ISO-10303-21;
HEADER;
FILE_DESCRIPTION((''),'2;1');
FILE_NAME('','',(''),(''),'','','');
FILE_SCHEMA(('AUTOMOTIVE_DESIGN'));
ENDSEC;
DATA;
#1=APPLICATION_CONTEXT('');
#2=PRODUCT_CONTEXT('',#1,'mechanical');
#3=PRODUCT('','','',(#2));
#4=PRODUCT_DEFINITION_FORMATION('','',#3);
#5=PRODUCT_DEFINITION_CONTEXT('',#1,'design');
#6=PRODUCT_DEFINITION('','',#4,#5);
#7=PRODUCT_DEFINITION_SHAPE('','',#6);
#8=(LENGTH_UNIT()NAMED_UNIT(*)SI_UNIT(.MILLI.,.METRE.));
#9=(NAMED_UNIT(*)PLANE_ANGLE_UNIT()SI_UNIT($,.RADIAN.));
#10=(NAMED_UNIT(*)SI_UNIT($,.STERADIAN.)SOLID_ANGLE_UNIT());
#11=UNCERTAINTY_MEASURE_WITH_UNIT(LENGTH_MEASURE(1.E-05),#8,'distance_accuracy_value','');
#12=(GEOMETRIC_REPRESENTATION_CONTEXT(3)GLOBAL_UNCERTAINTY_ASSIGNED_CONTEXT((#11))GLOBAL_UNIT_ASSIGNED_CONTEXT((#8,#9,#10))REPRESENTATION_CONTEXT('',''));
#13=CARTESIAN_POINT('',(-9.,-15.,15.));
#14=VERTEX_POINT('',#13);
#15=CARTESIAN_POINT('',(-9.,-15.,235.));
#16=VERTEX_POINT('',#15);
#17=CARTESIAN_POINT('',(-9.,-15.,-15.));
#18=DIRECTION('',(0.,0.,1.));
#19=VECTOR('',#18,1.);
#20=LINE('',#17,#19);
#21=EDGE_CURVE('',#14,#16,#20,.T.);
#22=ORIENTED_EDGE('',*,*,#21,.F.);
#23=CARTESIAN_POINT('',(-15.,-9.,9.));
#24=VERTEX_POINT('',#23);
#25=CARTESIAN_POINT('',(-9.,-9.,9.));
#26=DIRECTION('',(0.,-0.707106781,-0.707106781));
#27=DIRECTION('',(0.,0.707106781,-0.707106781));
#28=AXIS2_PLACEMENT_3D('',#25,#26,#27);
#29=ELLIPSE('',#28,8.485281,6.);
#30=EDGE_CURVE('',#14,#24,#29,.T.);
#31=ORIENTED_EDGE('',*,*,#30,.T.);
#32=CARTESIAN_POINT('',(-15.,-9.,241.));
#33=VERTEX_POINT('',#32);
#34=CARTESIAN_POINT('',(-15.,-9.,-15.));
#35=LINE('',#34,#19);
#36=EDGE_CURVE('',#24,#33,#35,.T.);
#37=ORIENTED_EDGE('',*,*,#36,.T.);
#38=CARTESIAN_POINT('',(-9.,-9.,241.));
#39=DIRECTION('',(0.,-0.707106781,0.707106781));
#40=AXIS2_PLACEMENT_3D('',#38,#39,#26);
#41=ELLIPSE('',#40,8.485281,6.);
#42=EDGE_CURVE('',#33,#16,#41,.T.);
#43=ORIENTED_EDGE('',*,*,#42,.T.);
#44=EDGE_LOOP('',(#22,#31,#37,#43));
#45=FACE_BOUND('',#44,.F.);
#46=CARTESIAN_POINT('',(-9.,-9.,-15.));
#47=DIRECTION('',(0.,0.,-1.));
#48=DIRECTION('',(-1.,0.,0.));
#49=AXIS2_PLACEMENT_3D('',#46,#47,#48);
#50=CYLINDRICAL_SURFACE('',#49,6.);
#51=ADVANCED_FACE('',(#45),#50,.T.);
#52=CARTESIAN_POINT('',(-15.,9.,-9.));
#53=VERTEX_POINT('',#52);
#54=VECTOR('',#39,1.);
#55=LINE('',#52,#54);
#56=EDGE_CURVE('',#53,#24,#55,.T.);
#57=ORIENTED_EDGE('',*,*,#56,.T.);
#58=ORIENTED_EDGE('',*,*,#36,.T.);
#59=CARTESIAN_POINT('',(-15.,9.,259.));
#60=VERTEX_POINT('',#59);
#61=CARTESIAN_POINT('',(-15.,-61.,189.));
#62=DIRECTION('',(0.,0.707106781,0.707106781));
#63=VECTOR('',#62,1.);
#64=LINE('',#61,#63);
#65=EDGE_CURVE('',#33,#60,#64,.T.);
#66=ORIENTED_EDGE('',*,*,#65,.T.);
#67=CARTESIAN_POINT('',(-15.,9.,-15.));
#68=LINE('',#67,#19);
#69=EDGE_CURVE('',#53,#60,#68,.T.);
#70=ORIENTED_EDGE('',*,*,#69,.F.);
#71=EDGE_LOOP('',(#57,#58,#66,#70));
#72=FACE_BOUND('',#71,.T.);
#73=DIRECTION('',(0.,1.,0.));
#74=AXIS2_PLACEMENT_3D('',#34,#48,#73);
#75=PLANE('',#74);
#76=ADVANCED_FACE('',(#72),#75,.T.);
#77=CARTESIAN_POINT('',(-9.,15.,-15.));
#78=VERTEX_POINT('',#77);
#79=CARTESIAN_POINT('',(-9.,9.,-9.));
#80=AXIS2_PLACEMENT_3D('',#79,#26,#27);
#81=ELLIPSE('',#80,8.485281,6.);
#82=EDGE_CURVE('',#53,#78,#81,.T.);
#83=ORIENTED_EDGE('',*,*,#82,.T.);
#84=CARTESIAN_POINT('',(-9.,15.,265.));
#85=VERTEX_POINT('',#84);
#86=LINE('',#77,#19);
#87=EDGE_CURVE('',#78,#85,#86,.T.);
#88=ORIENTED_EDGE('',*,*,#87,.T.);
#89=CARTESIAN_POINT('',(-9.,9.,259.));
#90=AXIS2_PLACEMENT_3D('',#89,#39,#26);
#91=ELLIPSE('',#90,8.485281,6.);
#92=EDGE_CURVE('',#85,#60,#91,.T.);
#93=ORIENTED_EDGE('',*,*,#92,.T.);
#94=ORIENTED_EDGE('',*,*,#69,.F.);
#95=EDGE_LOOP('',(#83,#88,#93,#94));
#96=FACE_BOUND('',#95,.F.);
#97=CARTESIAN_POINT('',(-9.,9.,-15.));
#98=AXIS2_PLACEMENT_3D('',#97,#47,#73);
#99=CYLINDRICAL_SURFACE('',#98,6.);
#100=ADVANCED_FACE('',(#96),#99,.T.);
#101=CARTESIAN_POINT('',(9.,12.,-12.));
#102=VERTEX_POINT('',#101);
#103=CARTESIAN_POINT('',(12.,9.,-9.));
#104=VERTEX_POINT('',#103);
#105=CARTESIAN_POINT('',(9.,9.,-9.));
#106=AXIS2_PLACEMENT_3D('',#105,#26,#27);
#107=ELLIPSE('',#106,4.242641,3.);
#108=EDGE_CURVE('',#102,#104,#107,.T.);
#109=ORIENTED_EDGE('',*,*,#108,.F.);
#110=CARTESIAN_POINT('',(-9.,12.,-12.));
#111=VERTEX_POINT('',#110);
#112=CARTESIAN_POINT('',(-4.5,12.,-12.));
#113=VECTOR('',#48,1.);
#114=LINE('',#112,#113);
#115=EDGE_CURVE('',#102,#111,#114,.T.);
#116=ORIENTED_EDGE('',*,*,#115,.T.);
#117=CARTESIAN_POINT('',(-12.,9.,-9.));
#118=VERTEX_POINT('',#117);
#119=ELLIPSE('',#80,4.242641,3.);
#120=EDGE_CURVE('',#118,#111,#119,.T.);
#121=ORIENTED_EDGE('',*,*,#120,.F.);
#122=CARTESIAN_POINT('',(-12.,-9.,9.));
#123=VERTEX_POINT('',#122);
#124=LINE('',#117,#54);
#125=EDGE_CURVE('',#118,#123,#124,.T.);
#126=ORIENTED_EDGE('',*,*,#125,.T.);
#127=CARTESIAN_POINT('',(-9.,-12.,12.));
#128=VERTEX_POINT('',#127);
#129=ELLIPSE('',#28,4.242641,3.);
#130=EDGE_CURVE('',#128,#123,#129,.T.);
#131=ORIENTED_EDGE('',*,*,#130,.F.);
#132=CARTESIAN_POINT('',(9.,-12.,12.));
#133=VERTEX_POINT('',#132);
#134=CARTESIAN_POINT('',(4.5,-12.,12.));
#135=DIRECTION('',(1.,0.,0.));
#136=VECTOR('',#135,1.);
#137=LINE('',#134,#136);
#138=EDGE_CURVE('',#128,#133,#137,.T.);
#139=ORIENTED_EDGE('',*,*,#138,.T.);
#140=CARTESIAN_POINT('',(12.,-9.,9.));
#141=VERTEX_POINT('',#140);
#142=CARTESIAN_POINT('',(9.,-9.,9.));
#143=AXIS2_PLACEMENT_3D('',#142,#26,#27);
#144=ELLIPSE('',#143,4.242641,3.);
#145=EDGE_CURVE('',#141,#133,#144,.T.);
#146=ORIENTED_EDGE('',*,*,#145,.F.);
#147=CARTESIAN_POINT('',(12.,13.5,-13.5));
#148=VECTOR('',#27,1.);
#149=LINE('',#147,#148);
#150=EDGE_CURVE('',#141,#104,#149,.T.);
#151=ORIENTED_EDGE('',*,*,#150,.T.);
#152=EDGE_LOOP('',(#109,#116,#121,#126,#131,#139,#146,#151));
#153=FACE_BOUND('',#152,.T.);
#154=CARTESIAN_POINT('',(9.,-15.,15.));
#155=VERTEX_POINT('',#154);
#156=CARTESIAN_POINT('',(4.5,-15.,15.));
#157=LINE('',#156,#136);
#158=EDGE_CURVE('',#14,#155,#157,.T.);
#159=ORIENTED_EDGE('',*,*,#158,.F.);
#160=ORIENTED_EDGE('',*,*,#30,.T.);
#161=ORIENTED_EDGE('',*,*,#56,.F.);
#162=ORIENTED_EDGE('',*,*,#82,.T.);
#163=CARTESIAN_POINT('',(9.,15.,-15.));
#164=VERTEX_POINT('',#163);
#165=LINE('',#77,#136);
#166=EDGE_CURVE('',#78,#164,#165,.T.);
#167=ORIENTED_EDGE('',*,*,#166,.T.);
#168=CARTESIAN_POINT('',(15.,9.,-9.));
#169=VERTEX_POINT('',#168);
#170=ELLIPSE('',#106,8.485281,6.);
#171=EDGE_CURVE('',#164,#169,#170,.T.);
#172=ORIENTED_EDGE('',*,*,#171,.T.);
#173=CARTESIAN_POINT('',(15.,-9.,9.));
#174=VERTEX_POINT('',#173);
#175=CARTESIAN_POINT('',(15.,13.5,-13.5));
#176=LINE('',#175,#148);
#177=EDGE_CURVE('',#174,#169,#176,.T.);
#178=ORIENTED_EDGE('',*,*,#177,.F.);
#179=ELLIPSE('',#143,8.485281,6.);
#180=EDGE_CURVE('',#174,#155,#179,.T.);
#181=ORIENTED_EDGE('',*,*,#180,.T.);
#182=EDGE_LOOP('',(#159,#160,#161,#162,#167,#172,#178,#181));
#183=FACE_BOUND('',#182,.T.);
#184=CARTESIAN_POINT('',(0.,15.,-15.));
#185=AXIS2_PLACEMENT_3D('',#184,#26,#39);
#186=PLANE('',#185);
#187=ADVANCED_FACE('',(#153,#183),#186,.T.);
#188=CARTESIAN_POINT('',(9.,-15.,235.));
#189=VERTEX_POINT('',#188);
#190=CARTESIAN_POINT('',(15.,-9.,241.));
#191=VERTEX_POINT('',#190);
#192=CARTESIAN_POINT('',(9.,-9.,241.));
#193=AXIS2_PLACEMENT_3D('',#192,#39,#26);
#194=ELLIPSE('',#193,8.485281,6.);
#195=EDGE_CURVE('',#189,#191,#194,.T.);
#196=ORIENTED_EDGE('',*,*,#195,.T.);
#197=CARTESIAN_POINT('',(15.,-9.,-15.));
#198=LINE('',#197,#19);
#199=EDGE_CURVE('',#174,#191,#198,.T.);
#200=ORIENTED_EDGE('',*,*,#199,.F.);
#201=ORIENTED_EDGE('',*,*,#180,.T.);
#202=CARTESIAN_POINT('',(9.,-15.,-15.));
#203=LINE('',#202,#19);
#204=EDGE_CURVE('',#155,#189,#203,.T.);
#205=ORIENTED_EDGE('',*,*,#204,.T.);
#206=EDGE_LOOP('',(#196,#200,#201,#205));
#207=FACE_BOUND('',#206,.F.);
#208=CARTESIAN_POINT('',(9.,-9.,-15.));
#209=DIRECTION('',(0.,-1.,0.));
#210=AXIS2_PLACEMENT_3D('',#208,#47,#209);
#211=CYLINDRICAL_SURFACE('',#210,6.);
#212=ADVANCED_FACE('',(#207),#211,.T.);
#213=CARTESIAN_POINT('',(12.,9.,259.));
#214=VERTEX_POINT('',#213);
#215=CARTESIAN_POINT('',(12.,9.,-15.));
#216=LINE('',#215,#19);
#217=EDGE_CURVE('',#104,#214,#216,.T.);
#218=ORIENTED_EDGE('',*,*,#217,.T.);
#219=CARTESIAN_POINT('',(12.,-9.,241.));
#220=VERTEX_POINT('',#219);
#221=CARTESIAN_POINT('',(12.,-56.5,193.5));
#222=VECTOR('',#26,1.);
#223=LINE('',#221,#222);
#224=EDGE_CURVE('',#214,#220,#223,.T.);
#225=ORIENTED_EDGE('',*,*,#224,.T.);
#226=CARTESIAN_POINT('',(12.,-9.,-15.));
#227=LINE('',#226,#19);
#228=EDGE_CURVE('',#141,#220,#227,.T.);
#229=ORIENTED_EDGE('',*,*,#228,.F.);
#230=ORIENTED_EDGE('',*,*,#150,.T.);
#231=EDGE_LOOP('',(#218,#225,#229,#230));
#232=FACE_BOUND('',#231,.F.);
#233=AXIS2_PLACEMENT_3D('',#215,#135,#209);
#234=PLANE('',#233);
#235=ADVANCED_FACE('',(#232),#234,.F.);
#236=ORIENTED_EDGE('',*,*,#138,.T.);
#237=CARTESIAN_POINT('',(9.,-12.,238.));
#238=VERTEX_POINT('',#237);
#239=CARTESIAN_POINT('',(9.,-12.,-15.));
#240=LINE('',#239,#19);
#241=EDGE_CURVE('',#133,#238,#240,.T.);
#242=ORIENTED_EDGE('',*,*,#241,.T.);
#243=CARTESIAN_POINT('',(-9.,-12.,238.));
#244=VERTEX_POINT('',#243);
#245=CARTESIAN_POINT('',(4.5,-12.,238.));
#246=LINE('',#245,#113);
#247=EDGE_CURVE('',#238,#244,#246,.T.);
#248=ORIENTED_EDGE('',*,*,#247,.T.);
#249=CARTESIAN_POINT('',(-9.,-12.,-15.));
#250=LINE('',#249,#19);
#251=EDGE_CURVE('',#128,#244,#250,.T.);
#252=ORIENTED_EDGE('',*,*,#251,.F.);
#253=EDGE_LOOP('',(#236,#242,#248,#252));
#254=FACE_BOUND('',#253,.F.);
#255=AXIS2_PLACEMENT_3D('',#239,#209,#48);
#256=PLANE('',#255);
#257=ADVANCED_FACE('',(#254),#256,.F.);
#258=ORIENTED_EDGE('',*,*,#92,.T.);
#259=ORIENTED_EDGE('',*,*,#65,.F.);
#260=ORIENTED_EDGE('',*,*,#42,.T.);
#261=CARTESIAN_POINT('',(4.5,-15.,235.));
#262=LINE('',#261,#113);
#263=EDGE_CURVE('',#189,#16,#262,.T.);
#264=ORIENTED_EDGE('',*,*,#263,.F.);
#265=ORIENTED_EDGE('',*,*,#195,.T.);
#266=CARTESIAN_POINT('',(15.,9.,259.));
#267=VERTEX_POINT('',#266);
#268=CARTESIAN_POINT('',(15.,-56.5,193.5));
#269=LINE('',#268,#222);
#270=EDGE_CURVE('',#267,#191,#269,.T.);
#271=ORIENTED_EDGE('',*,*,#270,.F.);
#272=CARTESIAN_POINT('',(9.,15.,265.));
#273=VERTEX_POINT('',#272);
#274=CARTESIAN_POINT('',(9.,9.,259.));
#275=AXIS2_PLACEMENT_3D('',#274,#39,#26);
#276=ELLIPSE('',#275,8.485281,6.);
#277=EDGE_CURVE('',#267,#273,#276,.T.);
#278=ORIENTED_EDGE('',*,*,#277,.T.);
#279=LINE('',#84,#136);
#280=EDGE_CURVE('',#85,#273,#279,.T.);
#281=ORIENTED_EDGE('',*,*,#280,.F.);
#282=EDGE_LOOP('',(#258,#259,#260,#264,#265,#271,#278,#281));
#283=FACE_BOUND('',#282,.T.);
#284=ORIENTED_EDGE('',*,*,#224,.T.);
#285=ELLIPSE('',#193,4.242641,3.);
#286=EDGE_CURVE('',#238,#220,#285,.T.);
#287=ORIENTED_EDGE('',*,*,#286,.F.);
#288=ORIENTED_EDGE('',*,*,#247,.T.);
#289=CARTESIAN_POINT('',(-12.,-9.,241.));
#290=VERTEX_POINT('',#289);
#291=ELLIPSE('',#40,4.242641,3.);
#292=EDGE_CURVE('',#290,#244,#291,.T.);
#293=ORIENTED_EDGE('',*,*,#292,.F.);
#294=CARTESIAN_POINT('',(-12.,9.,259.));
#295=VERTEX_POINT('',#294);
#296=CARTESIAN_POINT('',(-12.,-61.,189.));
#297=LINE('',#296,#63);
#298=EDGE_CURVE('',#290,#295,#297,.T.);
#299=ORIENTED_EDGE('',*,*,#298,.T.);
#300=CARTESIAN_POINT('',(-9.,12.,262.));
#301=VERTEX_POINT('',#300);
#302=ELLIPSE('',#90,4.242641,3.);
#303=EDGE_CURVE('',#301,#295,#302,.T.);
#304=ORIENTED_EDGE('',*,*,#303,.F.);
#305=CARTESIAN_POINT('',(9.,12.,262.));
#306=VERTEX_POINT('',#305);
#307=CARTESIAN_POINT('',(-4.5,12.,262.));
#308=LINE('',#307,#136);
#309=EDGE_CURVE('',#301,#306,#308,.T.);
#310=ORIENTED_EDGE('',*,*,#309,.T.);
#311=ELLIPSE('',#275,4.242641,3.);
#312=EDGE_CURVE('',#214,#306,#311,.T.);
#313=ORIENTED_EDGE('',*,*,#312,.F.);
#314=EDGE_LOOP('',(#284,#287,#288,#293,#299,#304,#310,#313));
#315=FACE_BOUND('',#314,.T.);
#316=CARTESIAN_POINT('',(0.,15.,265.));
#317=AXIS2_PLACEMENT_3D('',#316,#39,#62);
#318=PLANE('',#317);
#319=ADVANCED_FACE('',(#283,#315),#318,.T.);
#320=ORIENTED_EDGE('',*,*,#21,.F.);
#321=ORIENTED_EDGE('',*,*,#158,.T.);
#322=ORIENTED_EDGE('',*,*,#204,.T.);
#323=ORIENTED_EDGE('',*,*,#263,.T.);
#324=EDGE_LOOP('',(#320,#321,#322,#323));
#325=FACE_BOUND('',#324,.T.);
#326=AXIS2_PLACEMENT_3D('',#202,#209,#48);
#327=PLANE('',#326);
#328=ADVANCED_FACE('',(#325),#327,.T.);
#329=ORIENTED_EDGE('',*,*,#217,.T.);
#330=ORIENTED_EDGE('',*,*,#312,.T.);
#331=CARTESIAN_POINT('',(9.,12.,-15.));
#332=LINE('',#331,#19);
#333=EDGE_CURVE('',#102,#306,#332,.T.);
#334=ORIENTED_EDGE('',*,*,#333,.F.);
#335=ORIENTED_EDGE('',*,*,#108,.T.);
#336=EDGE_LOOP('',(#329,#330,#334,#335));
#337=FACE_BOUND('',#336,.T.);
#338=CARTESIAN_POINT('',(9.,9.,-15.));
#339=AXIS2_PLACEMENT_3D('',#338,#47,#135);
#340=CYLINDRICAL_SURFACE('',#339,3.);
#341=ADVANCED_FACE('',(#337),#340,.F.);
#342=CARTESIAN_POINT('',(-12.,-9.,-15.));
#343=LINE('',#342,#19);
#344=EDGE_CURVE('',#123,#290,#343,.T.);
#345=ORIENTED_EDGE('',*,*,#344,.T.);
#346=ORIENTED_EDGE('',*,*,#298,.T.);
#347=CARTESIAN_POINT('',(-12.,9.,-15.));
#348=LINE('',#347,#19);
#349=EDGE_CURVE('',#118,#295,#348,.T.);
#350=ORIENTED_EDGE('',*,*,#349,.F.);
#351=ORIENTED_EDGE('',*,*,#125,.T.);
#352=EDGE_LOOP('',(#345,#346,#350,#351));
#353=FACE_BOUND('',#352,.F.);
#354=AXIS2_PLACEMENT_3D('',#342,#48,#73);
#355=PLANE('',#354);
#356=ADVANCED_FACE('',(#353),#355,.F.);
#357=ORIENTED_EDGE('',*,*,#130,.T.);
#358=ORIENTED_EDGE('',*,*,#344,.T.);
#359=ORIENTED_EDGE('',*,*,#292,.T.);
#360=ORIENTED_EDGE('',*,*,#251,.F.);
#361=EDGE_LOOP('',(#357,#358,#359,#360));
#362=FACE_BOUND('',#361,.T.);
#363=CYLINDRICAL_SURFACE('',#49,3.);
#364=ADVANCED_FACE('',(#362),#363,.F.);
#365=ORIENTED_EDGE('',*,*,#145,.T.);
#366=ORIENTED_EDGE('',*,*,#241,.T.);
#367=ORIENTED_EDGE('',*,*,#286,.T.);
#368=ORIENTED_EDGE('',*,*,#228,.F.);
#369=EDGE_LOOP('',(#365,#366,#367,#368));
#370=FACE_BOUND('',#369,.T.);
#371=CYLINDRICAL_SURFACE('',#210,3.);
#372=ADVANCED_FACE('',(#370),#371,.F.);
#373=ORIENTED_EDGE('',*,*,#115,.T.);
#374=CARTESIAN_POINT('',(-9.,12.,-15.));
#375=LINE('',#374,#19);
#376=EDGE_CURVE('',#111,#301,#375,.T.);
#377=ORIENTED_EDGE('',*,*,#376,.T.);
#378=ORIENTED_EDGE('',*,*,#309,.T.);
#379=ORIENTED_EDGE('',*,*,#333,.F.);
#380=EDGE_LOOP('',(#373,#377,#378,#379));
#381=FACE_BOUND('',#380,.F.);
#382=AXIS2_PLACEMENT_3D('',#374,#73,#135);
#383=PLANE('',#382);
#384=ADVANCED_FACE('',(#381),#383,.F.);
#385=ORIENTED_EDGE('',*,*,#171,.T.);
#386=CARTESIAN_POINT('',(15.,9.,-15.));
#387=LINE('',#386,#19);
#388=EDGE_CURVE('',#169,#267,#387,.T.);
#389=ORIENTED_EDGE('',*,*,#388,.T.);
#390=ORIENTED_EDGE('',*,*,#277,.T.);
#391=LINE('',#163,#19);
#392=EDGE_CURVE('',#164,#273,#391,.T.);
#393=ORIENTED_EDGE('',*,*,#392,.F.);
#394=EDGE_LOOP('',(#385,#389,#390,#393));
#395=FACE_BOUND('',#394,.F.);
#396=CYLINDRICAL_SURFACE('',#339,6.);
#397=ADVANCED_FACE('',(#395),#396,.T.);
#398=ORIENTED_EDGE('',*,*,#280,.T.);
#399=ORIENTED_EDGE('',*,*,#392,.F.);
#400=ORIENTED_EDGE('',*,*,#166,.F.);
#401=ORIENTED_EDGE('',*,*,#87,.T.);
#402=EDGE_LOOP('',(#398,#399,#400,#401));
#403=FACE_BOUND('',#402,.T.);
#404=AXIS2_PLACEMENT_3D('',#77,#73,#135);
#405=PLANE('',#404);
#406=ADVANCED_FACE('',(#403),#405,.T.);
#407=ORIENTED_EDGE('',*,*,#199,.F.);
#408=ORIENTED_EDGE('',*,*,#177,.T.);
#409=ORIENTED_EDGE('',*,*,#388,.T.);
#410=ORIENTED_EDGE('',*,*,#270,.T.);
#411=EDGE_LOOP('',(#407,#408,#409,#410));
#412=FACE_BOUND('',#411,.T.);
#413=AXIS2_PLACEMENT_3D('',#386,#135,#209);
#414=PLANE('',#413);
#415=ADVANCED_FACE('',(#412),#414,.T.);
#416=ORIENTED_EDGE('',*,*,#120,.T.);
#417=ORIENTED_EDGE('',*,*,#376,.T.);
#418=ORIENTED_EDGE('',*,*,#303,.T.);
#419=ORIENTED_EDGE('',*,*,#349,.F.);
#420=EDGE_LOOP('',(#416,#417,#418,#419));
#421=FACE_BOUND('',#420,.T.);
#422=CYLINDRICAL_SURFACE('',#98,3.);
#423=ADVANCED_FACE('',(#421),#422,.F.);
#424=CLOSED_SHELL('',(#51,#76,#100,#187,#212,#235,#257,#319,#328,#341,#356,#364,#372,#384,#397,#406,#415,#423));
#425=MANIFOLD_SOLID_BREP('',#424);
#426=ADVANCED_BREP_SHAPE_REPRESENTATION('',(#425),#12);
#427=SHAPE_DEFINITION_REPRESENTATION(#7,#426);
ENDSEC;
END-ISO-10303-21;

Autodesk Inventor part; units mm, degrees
ref_plane "Start Plane" through (0, 0, -15) normal (0, 0, 1) x (1, 0, 0)
ref_plane "End Plane" through (0, 0, 265) normal (0, 0, 1) x (1, 0, 0)
sketch "Sketch" plane through (0, 0, 0) normal (0, 0, 1) x (1, 0, 0)
  line L0 (-15, -9) -> (-15, 9)
  line L1 (-9, 15) -> (9, 15)
  line L2 (15, 9) -> (15, -9)
  line L3 (9, -15) -> (-9, -15)
  arc A0 (-15, -9) -> (-9, -15) centre (-9, -9) ccw
  arc A1 (-9, 15) -> (-15, 9) centre (-9, 9) ccw
  arc A2 (15, 9) -> (9, 15) centre (9, 9) ccw
  arc A3 (9, -15) -> (15, -9) centre (9, -9) ccw
  arc A4 (-9, 12) -> (-12, 9) centre (-9, 9) ccw
  line L4 (-9, 12) -> (9, 12)
  arc A5 (12, 9) -> (9, 12) centre (9, 9) ccw
  line L5 (12, 9) -> (12, -9)
  arc A6 (9, -12) -> (12, -9) centre (9, -9) ccw
  line L6 (9, -12) -> (-9, -12)
  arc A7 (-12, -9) -> (-9, -12) centre (-9, -9) ccw
  line L7 (-12, -9) -> (-12, 9)
  line L8 (0, 22.7397) -> (0, -22.7397) construction
  line L9 (-22.7397, 0) -> (22.7397, 0) construction
  dimension "d7" = 6
  dimension "d10" = 30
  dimension "d11" = 30
  dimension "d12" = 3
  dimension "d15" = 15
  dimension "d16" = 15
extrude "Body" add sketch "Sketch" along normal up to surface (280 mm away) from surface at -15
sketch "Sketch3" plane through (0, 0, 0) normal (0, 0, 1) x (1, 0, 0)
  line L0 (0, 0) -> (10, 0)
ref_plane "Work Plane3" through (0, 0, 0) normal (0, -1, 0) x (1, 0, 0)
ref_plane "Work Plane4" through (0, 15, -15) normal (0, -0.7071, -0.7071) x (1, 0, 0)
split "Split1" plane through (0, 15, -15) removes the side toward (0, -0.7071, -0.7071)
ref_plane "Work Plane5" through (0, 15, 265) normal (0, -0.7071, 0.7071) x (1, 0, 0)
split "Split2" plane through (0, 15, 265) removes the side toward (0, -0.7071, 0.7071)
sketch "Sketch4" plane through (0, 0, 0) normal (0, -1, 0) x (1, 0, 0)
  line L0 (-2, -15) -> (12, -15) projected
  line L1 (-2, 265) -> (12, 265) projected
  dimension "d18" = 280
equation "\"d7\" = G_IR"
equation "\"d10\" = G_H"
equation "\"d11\" = G_W"
equation "\"d12\" = G_T"
equation "\"d15\" = 0.5 * d10"
equation "\"d16\" = 0.5 * d11"
equation "\"d3\" = G_L"
equation "\"G_W\" = 30"
equation "\"G_H\" = 30"
equation "\"G_T\" = 3"
equation "\"G_IR\" = 6"
equation "\"G_L\" = d18"
equation "\"G_OFFSET_START\" = 15"
equation "\"G_OFFSET_END\" = 15"
equation "\"d13\" = -G_OFFSET_START"
equation "\"d14\" = G_OFFSET_END + B_L"
equation "\"B_L\" = 250"
properties part number "DIN EN 10219-2 - 30 x 30 x 3  - 280" material "Steel, Mild"
